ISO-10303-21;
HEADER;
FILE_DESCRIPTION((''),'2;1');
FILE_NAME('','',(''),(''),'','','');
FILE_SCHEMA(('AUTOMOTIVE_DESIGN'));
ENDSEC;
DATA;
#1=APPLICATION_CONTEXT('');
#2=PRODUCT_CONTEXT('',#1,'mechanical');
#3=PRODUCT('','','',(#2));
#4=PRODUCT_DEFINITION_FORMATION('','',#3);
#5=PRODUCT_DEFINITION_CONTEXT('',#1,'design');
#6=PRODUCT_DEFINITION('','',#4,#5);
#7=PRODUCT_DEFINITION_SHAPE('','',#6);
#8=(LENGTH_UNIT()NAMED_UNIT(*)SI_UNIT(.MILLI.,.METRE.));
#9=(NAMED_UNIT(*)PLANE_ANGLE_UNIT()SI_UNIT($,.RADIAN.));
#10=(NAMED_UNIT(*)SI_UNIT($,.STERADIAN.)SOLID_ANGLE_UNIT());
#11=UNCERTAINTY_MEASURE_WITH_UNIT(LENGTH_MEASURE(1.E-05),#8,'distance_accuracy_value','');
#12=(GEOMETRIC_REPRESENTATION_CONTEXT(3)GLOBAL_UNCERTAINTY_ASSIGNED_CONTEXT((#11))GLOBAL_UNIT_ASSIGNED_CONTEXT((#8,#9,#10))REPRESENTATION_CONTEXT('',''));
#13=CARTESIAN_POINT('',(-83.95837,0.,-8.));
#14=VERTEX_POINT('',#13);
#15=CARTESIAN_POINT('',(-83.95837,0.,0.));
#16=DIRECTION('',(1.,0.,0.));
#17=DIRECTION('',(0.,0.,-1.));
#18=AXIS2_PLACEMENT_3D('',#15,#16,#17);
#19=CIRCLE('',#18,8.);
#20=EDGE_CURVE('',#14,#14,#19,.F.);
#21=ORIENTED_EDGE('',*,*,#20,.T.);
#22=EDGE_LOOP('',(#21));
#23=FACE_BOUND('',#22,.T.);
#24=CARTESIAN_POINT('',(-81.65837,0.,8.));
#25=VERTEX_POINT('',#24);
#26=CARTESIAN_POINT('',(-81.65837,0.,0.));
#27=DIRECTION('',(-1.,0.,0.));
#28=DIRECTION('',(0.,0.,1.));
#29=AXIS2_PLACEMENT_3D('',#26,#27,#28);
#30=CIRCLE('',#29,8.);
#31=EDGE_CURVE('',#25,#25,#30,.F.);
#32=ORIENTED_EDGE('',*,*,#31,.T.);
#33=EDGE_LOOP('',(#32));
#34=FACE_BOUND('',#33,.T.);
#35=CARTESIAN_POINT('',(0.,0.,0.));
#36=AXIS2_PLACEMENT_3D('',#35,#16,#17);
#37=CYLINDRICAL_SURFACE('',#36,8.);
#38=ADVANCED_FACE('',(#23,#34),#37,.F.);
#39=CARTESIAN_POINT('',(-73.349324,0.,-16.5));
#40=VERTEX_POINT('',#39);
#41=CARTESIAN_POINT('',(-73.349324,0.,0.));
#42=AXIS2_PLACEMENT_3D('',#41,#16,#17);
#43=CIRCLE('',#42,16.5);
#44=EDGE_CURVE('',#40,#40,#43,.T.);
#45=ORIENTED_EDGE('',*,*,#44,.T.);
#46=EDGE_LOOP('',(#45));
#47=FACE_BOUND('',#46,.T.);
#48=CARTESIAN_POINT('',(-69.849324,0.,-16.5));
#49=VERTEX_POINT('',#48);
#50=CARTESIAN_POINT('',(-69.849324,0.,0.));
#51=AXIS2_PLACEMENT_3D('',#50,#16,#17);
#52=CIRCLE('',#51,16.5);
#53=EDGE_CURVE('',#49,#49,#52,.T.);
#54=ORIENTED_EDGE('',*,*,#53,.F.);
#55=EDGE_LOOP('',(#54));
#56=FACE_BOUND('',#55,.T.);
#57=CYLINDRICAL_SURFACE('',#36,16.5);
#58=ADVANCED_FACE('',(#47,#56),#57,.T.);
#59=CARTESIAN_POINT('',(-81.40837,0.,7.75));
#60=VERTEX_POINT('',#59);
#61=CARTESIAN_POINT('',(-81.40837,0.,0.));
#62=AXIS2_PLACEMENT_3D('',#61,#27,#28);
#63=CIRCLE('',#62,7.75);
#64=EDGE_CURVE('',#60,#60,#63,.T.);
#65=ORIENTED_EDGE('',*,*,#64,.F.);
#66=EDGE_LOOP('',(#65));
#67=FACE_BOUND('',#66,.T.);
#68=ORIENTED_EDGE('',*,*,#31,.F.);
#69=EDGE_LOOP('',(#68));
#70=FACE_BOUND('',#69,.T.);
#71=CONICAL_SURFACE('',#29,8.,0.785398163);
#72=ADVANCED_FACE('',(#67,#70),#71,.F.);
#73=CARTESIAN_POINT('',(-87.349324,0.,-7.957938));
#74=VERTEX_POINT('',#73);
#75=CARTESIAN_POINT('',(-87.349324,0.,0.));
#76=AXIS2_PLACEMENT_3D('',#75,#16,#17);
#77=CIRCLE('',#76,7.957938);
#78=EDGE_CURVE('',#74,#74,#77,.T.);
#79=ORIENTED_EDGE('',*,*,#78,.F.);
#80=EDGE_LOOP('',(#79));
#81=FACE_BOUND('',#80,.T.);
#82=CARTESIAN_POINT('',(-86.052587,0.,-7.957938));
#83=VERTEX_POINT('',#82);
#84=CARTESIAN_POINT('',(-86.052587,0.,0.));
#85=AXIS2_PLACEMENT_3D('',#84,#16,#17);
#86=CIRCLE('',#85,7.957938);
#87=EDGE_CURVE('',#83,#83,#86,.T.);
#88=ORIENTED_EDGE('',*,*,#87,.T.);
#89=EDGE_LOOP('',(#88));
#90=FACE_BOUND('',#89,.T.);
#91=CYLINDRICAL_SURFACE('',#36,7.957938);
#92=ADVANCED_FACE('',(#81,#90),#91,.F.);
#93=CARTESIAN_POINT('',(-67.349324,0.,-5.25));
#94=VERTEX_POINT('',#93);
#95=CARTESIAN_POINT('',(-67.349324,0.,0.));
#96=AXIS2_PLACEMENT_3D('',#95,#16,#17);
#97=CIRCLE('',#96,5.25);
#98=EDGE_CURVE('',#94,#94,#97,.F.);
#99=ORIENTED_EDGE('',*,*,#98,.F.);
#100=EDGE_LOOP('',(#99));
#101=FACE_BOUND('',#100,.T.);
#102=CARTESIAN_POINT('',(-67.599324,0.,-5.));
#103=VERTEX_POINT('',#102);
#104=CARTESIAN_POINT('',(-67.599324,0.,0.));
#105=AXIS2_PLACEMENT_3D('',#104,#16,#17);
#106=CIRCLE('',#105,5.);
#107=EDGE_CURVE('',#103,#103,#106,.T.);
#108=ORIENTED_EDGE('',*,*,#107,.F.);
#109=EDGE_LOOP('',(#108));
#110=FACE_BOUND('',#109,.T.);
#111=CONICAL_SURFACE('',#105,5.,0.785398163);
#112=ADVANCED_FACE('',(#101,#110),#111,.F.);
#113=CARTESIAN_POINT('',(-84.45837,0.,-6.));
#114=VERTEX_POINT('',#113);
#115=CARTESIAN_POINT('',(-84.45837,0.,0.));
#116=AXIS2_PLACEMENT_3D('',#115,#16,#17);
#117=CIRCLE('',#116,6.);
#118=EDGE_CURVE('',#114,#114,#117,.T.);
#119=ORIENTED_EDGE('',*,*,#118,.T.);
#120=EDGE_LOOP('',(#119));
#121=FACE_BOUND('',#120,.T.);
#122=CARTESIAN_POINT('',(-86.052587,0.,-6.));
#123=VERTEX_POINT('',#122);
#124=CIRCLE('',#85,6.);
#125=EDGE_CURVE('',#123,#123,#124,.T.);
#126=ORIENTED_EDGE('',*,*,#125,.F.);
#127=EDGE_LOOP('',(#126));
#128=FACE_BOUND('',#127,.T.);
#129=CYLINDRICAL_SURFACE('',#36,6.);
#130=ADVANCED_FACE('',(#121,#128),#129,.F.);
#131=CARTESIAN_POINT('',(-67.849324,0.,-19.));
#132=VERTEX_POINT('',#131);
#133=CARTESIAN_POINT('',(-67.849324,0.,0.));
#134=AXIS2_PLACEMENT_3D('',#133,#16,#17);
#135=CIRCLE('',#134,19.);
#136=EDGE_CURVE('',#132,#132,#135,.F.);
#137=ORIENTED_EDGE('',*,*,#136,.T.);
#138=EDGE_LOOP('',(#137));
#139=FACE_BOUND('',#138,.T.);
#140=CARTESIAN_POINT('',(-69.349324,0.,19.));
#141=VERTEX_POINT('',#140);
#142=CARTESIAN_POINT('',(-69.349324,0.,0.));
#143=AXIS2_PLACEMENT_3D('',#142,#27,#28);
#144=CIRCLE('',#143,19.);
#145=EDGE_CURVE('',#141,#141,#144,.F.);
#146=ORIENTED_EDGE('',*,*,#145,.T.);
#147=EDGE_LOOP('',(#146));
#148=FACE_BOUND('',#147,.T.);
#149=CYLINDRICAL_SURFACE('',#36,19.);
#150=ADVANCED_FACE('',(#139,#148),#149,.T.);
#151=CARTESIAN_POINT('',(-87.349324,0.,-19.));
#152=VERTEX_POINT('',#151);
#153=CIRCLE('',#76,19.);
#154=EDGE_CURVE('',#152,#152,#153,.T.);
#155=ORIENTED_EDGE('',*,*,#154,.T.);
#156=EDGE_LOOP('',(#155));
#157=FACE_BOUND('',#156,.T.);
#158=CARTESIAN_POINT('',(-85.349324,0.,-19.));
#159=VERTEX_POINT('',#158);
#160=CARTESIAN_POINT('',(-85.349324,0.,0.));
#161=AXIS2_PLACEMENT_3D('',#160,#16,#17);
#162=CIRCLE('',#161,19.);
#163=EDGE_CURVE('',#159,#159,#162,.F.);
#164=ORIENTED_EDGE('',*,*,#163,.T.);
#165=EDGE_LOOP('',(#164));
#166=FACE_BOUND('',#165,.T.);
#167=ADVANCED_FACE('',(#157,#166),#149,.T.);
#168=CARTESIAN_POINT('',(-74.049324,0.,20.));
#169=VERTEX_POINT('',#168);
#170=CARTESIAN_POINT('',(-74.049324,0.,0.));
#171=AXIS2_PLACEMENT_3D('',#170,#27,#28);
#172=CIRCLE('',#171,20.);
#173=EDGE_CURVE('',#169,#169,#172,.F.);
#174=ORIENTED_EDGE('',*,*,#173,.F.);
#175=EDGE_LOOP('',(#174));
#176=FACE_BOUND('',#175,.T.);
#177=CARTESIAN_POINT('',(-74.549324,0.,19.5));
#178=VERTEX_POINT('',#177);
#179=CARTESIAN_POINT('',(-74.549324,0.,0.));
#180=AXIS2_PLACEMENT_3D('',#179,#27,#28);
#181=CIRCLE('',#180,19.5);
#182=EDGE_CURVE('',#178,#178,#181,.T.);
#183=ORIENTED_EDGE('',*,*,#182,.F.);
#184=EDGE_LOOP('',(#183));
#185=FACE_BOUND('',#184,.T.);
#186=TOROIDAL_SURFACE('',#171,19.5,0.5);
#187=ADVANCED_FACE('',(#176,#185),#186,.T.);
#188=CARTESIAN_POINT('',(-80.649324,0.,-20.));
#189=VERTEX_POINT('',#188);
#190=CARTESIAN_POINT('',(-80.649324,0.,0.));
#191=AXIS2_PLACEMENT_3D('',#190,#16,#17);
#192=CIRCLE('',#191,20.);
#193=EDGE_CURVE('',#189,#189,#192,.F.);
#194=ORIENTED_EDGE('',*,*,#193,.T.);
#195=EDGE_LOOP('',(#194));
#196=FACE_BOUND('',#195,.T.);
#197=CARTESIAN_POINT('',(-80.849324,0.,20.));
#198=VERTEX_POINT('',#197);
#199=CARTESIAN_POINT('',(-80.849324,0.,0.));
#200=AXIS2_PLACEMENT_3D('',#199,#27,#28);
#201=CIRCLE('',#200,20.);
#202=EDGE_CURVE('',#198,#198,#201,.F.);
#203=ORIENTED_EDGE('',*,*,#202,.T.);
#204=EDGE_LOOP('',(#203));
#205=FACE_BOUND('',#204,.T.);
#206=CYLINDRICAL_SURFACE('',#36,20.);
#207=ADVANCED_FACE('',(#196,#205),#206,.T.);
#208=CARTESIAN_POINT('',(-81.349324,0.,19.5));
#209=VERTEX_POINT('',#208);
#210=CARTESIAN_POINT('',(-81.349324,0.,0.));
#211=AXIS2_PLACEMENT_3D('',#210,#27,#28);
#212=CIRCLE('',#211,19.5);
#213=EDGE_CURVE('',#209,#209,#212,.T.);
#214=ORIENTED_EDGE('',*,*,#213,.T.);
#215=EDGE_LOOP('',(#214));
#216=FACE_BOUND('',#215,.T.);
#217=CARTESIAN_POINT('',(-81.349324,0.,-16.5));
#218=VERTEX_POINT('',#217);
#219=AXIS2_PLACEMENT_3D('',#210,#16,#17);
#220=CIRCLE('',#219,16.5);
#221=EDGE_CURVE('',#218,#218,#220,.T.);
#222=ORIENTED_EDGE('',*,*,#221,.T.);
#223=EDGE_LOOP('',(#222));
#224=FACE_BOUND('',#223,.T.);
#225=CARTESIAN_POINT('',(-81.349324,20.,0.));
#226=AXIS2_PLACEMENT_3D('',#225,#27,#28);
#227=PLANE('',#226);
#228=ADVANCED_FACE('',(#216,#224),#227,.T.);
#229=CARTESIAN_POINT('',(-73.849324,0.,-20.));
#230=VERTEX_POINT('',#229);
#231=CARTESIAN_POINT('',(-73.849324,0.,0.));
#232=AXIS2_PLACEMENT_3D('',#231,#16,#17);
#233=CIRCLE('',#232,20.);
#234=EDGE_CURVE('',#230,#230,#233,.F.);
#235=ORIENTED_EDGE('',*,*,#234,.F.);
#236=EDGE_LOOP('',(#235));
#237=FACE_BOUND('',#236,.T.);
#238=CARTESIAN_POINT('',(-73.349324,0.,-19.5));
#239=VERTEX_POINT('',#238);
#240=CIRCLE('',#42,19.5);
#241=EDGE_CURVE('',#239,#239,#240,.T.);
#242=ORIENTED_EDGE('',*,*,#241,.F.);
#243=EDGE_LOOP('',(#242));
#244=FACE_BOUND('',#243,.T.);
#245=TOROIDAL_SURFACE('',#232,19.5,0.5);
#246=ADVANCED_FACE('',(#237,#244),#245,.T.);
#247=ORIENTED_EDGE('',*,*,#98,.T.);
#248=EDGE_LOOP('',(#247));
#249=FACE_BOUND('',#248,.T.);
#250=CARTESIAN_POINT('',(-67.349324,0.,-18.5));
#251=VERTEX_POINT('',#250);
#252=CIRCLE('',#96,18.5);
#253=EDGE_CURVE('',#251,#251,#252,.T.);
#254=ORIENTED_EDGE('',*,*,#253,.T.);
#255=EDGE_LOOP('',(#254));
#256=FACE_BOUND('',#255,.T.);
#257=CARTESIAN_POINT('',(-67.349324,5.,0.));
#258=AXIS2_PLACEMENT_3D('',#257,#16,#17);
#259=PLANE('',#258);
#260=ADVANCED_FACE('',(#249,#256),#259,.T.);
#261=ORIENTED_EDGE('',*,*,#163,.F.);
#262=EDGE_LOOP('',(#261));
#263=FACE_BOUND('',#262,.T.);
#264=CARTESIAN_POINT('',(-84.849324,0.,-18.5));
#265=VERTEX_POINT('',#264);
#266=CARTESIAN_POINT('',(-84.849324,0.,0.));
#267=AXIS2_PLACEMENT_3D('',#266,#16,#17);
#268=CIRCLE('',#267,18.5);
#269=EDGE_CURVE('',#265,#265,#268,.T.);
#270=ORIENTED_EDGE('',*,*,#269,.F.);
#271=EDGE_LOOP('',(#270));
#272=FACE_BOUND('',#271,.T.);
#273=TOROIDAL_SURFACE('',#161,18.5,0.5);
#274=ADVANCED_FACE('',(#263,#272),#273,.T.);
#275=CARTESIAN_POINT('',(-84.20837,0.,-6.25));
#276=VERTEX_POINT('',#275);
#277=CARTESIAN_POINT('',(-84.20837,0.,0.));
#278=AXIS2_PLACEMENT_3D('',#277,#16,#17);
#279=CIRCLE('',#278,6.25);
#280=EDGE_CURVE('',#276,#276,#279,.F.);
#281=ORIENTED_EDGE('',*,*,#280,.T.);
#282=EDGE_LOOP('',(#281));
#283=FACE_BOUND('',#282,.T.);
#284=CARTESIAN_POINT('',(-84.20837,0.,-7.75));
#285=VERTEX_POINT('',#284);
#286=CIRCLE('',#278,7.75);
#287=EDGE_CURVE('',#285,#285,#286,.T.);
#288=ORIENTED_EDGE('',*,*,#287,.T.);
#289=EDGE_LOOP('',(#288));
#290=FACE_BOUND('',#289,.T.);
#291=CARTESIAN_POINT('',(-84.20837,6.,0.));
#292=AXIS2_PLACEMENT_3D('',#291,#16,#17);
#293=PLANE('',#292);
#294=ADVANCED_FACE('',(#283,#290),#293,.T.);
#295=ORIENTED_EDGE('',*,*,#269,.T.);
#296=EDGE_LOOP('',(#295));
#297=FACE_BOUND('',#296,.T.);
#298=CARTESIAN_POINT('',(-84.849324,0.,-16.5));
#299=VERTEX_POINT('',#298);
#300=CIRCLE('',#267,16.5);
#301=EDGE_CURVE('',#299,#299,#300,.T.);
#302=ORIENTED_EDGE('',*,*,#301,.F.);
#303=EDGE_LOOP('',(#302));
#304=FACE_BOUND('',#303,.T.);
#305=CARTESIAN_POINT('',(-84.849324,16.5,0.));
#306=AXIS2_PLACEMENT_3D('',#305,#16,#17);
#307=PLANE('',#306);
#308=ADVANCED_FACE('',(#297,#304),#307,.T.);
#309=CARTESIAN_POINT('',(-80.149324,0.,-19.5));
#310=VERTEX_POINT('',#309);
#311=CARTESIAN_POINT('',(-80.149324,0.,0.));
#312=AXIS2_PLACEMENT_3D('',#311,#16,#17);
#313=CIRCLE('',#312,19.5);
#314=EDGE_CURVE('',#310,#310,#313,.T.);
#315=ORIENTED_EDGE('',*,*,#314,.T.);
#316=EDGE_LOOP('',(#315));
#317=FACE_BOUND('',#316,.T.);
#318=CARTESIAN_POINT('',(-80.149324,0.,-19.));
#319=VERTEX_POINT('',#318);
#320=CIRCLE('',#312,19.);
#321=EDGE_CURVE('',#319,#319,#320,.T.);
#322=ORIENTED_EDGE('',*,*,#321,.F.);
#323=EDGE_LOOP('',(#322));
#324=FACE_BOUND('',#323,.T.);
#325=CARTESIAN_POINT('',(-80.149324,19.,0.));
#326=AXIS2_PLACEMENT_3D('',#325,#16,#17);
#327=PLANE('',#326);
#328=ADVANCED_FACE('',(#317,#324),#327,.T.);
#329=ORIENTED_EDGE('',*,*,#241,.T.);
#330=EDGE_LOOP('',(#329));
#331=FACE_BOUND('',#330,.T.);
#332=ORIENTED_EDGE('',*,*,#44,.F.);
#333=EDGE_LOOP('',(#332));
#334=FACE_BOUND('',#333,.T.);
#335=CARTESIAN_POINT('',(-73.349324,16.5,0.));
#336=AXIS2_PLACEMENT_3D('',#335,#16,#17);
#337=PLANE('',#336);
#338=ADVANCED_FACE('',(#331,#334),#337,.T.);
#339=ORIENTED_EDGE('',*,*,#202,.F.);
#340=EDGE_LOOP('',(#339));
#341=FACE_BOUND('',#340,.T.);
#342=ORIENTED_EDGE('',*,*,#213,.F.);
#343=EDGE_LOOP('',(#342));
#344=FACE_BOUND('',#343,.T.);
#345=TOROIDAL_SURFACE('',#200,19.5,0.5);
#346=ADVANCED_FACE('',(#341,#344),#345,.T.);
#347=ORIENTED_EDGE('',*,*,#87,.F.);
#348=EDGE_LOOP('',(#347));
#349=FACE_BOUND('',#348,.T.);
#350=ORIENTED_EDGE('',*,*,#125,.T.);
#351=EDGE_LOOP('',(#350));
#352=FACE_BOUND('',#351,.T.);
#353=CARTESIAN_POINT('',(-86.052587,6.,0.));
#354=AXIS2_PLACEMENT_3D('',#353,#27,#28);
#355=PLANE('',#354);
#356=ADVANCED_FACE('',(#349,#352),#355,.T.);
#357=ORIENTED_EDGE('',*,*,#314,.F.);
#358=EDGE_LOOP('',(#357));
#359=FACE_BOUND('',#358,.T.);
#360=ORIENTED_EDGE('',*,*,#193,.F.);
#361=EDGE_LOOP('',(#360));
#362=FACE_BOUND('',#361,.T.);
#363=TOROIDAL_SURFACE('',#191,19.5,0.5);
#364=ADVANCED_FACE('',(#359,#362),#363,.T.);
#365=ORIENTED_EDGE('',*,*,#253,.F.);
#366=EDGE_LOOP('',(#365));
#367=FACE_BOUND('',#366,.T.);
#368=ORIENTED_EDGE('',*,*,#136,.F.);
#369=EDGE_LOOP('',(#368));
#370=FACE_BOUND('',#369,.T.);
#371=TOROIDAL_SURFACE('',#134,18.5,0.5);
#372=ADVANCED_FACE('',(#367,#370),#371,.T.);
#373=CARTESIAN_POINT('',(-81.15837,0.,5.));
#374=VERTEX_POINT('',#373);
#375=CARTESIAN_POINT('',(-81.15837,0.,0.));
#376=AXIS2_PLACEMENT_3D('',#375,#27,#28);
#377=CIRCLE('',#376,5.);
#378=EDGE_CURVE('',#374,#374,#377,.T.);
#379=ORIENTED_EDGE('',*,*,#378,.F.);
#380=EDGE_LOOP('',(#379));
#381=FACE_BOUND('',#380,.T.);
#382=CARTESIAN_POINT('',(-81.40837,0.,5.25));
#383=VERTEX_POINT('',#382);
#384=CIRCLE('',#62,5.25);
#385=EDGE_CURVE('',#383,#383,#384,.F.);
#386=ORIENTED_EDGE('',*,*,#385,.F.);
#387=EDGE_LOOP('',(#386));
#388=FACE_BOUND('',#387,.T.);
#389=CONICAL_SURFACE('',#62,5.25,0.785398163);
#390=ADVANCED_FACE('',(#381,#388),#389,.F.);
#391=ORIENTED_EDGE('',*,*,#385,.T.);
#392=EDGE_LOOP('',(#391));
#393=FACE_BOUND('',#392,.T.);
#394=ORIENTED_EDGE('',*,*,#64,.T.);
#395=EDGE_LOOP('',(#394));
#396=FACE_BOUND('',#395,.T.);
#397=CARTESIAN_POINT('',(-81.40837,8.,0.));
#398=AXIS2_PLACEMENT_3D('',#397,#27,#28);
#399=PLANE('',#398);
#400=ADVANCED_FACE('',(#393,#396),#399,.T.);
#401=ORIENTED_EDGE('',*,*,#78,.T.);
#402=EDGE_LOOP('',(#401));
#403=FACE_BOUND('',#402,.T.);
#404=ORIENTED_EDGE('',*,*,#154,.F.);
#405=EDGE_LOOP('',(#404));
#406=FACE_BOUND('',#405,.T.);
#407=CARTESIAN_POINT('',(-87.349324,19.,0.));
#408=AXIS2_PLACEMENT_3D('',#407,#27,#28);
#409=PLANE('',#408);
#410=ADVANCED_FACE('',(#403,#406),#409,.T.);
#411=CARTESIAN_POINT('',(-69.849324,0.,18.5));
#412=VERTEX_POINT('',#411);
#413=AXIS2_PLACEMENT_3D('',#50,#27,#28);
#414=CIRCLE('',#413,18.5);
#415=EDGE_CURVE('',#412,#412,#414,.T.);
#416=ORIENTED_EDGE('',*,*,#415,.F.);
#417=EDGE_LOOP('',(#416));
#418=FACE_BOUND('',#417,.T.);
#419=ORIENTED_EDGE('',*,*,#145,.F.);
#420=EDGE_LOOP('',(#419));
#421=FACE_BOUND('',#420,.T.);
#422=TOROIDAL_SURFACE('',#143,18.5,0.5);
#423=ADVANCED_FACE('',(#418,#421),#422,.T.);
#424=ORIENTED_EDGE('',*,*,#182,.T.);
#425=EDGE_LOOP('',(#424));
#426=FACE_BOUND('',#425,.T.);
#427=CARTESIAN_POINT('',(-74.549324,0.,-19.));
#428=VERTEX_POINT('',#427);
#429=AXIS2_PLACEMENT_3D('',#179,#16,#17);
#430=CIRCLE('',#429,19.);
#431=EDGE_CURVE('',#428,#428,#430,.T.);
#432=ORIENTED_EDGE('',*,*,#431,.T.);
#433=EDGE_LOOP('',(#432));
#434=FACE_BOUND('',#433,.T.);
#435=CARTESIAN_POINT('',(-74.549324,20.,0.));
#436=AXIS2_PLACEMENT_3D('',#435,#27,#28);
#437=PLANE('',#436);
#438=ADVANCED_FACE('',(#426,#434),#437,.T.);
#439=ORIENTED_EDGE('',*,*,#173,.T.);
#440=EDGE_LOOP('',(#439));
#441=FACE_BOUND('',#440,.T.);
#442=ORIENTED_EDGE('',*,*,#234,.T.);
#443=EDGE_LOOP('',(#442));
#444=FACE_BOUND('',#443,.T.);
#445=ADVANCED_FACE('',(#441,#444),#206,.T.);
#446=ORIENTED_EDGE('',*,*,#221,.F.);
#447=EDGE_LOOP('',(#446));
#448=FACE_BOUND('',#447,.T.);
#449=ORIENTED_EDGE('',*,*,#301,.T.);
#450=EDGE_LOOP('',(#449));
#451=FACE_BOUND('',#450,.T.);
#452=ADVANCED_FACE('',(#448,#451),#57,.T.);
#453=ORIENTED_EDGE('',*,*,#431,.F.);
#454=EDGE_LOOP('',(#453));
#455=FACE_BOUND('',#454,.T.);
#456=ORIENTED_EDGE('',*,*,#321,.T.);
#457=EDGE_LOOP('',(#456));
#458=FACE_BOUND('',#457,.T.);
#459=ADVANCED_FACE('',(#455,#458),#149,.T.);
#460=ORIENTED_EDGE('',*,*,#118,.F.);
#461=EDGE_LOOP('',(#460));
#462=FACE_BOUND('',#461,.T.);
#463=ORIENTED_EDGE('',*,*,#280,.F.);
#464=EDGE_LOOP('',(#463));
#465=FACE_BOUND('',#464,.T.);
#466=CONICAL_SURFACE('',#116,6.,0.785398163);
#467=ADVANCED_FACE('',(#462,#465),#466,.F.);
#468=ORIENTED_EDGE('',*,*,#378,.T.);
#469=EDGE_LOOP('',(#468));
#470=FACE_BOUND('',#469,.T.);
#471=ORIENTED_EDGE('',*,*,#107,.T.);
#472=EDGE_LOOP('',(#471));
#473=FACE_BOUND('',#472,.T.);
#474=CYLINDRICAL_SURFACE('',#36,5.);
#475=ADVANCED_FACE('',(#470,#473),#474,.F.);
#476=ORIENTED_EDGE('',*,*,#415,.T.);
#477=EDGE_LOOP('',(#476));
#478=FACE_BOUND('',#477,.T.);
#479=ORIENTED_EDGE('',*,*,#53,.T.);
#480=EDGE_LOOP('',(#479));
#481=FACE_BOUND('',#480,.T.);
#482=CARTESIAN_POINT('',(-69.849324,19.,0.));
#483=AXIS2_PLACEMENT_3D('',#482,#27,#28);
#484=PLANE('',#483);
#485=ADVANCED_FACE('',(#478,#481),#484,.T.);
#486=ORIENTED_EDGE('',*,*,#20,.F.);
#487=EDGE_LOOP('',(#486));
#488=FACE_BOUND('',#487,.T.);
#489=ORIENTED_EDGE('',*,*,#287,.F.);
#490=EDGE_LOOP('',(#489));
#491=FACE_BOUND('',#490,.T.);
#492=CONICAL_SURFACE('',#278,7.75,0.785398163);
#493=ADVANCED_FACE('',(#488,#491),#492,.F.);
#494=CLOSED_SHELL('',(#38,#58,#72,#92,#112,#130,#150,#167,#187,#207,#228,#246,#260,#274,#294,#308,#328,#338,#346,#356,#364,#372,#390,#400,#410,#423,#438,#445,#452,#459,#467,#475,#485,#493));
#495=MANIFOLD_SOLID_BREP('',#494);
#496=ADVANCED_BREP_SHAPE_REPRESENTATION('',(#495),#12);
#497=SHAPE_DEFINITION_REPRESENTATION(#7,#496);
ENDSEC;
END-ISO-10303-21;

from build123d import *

# Parameters (mm, degrees)
CHAFL_N1_SIZE = 0.25
REDONDEO1_R   = 0.5


with BuildPart() as part:
    # Sketch1 → Revolución1 (revolve)
    with BuildSketch(Plane.XY, mode=Mode.PRIVATE) as revoluci_n1_sk:
        Polygon((-67.349324085, 19), (-69.849324085, 19), (-69.849324085, 16.5), (-73.349324085, 16.5), (-73.349324085, 20), (-74.549324085, 20), (-74.549324085, 19), (-80.149324085, 19), (-80.149324085, 20), (-81.349324085, 20), (-81.349324085, 16.5), (-84.849324085, 16.5), (-84.849324085, 19), (-87.349324085, 19), (-87.349324085, 7.957938343), (-86.052586618, 7.957938343), (-86.052586618, 6), (-84.208369925, 6), (-84.208369925, 8), (-81.408369925, 8), (-81.408369925, 5), (-67.349324085, 5), align=None)
    revolve(revoluci_n1_sk.sketch.rotate(Axis((0, 0, 0), (-1, 0, 0)), 90), axis=Axis((0, 0, 0), (-1, 0, 0)))

    # Chaflán1
    chafl_n1_edges = [part.edges().sort_by_distance(p)[0] for p in [
        (-67.349324085, 0, 5),
        (-81.408369925, 0, 5),
        (-81.408369925, 0, 8),
        (-84.208369925, 0, 8),
        (-84.208369925, 0, 6),
    ]]
    chamfer(chafl_n1_edges, length=CHAFL_N1_SIZE)

    # Redondeo1
    redondeo1_edges = [part.edges().sort_by_distance(p)[0] for p in [
        (-84.849324085, 0, 19),
        (-81.349324085, 0, 20),
        (-80.149324085, 0, 20),
        (-74.549324085, 0, 20),
        (-73.349324085, 0, 20),
        (-69.849324085, 0, 19),
        (-67.349324085, 0, 19),
    ]]
    fillet(redondeo1_edges, radius=REDONDEO1_R)


solid = part.part
